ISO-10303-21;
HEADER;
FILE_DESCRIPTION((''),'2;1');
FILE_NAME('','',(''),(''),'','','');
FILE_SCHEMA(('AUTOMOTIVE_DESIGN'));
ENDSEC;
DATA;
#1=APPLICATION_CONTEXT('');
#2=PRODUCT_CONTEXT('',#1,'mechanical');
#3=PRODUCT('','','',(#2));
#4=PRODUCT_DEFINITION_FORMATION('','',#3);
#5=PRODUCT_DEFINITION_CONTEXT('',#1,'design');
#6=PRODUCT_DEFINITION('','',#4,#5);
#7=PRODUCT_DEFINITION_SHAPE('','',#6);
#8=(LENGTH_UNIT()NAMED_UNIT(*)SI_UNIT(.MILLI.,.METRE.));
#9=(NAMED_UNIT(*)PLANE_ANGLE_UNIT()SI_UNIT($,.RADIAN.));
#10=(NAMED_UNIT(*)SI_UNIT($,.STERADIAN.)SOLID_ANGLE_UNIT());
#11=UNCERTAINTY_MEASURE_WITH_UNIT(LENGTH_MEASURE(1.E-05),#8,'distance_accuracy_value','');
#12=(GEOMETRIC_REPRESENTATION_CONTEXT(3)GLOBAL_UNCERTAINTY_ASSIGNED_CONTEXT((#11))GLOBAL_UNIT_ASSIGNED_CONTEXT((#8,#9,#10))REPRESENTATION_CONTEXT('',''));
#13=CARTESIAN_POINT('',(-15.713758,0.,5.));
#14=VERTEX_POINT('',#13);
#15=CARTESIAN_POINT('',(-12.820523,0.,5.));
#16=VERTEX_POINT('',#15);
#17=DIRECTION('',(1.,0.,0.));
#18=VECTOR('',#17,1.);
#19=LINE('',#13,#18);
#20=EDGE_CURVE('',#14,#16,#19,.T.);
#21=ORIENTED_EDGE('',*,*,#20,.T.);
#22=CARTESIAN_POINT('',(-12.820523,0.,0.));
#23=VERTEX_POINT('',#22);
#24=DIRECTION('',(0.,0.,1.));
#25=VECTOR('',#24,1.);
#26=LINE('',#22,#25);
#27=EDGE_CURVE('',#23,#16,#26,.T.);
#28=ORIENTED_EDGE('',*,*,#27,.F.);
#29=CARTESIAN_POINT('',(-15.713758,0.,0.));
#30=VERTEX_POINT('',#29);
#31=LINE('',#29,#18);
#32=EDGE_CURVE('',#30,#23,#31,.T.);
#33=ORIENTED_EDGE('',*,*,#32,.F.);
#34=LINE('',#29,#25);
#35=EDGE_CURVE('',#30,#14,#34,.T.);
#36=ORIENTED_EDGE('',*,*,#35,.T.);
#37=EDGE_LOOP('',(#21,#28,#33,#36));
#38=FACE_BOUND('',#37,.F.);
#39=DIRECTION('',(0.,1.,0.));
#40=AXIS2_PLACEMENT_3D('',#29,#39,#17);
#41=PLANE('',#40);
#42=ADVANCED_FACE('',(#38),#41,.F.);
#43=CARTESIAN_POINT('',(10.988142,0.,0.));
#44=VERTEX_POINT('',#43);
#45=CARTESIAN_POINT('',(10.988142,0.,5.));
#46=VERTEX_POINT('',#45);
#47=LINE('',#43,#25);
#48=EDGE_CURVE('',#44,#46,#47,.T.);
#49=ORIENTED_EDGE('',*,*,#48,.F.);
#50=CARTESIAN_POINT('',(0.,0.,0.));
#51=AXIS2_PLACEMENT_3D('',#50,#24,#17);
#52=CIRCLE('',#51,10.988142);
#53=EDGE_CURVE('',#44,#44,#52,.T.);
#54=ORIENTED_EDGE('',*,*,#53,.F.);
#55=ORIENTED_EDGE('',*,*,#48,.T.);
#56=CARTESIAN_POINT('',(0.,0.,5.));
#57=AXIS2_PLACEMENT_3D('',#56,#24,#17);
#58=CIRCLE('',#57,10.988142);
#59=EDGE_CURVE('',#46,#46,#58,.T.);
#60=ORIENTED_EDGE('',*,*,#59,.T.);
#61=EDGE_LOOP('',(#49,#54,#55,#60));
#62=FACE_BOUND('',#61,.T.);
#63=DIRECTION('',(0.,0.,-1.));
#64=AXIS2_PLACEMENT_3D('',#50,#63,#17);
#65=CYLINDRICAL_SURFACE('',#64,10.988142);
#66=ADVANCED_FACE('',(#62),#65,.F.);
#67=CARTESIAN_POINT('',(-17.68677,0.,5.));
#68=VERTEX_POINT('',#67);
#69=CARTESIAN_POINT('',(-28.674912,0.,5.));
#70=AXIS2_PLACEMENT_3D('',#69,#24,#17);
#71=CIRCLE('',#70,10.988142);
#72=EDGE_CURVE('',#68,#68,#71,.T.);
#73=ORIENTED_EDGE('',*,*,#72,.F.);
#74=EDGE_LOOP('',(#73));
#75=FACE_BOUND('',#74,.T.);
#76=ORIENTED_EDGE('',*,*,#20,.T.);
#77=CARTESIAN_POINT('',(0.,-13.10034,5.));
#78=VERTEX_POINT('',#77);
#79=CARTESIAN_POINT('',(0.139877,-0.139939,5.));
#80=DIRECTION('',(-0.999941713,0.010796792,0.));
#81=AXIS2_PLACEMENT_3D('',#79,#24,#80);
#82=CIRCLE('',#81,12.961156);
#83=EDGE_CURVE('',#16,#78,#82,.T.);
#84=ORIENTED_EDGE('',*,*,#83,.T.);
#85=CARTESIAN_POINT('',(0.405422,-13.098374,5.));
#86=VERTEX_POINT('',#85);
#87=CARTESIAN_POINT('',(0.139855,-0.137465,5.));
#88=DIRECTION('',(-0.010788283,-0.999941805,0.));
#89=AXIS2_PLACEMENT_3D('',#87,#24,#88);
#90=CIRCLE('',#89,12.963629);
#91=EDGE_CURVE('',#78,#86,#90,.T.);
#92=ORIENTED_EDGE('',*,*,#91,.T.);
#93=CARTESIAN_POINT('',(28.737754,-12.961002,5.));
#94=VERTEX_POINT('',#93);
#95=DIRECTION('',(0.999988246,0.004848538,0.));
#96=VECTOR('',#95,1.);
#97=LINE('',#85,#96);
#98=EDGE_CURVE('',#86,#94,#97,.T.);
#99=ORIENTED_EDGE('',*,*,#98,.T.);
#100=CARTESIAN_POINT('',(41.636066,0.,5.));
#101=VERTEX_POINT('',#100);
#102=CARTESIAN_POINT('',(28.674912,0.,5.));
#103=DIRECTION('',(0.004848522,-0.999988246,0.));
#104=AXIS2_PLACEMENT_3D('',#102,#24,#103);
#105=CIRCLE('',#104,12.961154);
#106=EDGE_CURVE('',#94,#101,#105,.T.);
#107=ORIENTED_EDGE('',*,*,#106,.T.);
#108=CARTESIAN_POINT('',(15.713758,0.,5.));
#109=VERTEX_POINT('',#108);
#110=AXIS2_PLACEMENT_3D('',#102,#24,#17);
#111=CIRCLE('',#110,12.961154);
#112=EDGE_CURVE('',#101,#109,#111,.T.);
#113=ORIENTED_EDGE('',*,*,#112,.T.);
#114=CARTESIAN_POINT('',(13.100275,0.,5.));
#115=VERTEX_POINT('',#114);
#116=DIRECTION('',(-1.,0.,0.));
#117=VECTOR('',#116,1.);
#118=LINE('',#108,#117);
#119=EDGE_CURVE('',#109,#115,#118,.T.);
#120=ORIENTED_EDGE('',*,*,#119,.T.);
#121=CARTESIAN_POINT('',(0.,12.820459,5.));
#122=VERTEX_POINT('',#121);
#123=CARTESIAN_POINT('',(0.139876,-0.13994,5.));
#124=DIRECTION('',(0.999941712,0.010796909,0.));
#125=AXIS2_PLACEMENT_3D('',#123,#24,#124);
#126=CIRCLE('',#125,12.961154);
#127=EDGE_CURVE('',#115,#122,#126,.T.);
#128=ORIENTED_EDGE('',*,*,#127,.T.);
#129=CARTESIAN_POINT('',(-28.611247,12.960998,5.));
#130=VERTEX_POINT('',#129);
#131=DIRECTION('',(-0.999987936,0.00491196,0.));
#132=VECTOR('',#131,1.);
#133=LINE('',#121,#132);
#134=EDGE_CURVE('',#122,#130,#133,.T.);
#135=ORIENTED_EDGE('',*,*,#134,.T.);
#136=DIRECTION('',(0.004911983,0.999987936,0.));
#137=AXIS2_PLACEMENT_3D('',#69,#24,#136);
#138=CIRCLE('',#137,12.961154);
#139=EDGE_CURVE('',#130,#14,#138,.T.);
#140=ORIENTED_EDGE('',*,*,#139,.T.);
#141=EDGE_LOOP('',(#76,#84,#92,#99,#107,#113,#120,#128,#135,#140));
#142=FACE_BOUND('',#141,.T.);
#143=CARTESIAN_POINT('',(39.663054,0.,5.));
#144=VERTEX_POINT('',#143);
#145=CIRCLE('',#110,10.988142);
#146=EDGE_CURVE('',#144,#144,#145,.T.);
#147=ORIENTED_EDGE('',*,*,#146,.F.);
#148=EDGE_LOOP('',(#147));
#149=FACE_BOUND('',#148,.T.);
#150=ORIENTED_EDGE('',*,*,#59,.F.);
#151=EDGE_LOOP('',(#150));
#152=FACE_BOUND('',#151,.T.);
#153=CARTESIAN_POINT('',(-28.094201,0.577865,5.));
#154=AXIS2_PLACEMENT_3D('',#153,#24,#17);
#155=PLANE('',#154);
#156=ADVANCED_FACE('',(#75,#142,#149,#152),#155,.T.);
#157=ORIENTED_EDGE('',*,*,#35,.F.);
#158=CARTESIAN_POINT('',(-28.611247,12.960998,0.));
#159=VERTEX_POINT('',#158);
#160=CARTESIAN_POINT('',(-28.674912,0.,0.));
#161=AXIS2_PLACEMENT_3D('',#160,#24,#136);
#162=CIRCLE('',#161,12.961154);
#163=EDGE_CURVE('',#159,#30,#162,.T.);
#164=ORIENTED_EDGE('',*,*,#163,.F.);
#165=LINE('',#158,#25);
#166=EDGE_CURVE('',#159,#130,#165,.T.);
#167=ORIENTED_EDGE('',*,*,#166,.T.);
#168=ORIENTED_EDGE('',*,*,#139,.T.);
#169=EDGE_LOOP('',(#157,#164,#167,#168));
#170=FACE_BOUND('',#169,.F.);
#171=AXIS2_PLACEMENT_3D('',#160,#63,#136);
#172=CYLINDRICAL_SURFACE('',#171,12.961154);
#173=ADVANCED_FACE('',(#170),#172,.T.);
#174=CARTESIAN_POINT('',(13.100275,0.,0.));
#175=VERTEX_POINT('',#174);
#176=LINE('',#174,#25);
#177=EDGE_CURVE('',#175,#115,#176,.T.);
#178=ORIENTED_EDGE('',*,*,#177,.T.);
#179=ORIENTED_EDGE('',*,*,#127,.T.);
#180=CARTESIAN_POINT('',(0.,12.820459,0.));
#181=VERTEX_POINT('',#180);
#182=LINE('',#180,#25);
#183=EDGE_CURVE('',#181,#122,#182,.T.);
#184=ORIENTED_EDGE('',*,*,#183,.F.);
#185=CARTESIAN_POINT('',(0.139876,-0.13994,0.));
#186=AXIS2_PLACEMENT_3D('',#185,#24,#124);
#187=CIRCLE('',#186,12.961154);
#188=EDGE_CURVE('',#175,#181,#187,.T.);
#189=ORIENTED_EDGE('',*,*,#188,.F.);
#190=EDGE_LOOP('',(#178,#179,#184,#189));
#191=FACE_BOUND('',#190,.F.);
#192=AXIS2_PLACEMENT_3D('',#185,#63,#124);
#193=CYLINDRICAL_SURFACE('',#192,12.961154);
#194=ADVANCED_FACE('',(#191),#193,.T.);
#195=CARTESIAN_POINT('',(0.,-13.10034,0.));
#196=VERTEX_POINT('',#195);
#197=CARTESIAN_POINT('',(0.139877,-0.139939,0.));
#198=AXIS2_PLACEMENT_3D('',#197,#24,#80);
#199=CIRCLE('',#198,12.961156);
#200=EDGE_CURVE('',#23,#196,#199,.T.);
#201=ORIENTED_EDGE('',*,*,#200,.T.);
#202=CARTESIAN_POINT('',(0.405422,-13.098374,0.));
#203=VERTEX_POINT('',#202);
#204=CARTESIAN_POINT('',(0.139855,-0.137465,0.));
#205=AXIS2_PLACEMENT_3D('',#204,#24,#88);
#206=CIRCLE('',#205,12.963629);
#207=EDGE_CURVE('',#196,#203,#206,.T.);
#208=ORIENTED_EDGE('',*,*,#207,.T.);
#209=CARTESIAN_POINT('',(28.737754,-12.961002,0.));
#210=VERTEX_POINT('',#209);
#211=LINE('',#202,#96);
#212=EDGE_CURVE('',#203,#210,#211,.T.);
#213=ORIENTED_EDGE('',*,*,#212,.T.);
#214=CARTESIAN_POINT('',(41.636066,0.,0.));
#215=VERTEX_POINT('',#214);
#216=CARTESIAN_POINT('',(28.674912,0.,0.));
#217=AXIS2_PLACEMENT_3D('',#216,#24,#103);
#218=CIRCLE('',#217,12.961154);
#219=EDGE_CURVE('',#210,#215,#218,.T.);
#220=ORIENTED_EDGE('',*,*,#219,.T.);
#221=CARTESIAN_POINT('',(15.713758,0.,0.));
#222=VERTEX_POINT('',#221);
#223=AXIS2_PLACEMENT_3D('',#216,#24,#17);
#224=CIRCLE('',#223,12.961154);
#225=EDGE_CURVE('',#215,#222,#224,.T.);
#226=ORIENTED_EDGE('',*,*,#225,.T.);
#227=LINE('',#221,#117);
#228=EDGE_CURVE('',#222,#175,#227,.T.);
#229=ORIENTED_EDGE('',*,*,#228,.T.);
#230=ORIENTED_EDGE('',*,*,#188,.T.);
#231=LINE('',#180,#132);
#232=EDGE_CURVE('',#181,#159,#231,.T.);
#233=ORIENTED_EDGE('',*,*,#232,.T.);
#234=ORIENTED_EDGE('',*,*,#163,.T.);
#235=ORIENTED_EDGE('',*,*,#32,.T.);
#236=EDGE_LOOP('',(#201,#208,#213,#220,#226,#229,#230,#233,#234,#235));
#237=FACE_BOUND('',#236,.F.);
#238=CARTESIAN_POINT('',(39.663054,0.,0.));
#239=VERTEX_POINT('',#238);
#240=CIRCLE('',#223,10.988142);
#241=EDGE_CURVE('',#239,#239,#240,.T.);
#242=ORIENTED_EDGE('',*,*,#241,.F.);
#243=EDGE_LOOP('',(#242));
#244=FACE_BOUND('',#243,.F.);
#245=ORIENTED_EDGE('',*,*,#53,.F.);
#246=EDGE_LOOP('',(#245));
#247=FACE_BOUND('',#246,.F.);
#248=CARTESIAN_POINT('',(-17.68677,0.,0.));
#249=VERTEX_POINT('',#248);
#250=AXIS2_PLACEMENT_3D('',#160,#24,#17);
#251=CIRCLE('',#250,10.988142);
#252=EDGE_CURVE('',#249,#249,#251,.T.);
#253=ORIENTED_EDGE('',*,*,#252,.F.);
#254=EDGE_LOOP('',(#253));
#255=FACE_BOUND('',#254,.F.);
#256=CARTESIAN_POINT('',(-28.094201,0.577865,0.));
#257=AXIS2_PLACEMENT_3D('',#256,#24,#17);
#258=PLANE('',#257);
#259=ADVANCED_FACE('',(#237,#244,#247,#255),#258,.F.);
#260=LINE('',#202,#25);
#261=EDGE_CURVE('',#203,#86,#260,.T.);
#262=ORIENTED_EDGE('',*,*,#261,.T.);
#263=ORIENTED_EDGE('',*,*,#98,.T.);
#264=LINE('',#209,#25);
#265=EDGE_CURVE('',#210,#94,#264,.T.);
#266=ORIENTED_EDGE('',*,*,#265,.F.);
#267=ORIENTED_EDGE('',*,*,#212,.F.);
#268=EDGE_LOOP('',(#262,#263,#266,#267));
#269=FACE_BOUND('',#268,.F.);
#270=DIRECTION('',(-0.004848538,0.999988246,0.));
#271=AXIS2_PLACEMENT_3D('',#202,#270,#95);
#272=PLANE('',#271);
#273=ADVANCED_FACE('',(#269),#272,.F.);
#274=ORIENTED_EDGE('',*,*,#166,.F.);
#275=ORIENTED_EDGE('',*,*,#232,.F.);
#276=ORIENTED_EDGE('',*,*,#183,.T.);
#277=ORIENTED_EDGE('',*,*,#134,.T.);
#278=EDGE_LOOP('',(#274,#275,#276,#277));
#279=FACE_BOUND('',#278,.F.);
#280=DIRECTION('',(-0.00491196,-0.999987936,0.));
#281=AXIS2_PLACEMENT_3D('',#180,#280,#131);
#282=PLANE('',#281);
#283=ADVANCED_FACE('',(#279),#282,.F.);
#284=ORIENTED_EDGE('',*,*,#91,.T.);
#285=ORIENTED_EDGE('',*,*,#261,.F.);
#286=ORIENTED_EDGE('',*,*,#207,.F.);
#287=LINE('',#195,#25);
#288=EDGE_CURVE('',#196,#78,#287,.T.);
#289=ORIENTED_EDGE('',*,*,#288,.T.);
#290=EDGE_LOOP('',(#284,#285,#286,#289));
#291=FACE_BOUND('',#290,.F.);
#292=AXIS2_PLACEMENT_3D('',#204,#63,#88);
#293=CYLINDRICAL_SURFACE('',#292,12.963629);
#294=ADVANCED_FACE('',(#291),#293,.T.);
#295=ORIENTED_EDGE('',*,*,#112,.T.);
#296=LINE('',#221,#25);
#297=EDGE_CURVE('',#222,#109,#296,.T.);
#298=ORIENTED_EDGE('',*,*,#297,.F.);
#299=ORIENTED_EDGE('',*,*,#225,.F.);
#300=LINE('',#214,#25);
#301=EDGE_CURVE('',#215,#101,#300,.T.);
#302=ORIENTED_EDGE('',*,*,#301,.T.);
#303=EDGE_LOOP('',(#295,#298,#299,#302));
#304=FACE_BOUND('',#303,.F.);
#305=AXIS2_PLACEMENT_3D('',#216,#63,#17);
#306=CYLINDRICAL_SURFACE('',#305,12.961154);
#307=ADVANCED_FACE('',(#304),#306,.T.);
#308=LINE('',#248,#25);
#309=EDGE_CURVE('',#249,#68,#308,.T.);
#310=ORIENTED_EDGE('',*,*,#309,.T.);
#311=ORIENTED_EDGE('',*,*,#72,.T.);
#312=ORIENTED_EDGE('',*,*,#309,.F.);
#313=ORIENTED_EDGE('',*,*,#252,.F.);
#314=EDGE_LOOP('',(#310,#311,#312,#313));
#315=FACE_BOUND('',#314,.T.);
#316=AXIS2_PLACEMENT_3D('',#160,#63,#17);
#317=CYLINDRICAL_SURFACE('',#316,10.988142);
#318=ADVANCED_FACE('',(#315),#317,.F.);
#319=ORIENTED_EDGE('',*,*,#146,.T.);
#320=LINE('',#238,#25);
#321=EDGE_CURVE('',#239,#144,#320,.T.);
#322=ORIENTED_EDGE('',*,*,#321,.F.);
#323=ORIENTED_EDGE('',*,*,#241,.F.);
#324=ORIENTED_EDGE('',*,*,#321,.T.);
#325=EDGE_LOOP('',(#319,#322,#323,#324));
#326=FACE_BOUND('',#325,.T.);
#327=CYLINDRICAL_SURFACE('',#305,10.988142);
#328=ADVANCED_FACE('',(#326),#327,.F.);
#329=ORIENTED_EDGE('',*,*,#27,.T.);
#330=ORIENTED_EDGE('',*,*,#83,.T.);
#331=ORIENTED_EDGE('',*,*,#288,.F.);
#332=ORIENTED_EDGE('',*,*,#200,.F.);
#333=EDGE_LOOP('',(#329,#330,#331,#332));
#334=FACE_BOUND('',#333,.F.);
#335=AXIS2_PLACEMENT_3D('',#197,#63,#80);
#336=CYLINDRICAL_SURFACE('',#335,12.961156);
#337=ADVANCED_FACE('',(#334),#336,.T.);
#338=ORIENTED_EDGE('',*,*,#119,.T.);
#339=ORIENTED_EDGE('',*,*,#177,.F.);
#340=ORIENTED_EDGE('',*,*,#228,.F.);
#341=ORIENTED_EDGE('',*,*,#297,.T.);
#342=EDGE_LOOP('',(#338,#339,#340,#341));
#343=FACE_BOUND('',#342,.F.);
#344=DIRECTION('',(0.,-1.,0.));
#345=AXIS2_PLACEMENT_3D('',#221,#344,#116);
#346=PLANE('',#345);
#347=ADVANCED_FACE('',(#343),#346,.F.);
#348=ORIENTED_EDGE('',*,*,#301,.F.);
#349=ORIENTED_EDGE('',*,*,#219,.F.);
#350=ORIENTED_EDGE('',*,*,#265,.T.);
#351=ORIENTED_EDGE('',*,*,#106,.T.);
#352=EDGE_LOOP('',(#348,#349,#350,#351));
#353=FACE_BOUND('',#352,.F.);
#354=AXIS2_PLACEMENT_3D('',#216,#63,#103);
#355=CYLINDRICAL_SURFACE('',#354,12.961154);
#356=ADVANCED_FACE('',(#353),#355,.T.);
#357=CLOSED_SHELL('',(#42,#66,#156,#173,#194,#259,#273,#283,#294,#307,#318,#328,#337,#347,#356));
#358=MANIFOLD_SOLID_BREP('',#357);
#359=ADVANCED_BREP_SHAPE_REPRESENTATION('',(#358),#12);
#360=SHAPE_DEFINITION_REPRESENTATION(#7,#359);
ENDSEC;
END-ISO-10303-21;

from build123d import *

# Parameters (mm, degrees)
F0_R     = 10.988142
F1_DEPTH = 5


with BuildPart() as f1:
    # F0 (on Top) → F1 (new body)
    with BuildSketch(Plane.XY):
        with BuildLine():
            ThreePointArc((-28.611247, 12.960998), (-37.862313, -9.142383), (-15.713758, 0))
            ThreePointArc((-15.713758, 0), (-19.487511, 9.142383), (-28.611247, 12.960998))
        make_face()
        with Locations((-28.674912, 0)):
            Circle(F0_R, mode=Mode.SUBTRACT)
        with BuildLine():
            ThreePointArc((-28.611247, 12.960998), (-19.487511, 9.142383), (-15.713758, 0))
            Line((-15.713758, 0), (-12.820523, 0))
            ThreePointArc((-12.820523, 0), (-9.025021, 9.025002), (0, 12.820459))
            Line((0, 12.820459), (-28.611247, 12.960998))
        make_face()
        with BuildLine():
            ThreePointArc((0, 12.820459), (-9.025021, 9.025002), (-12.820523, 0))
            ThreePointArc((-12.820523, 0), (-9.12344, -9.205396), (0, -13.10034))
            Line((0, -13.10034), (0.405422, -13.098374))
            ThreePointArc((0.405422, -13.098374), (9.398205, -9.21049), (13.10103, -0.13994))
            ThreePointArc((13.10103, -0.13994), (13.100841, -0.069969), (13.100275, 0))
            ThreePointArc((13.100275, 0), (9.205332, 9.123376), (0, 12.820459))
        make_face()
        Circle(F0_R, mode=Mode.SUBTRACT)
        with BuildLine():
            Line((0.405422, -13.098374), (0, -13.10034))
            ThreePointArc((0, -13.10034), (0.202719, -13.100942), (0.405422, -13.098374))
        make_face()
        with BuildLine():
            Line((15.713758, 0), (13.100275, 0))
            ThreePointArc((13.100275, 0), (13.100841, -0.069969), (13.10103, -0.13994))
            ThreePointArc((13.10103, -0.13994), (9.398205, -9.21049), (0.405422, -13.098374))
            Line((0.405422, -13.098374), (28.737754, -12.961002))
            ThreePointArc((28.737754, -12.961002), (19.532237, -9.187111), (15.713758, 0))
        make_face()
        with BuildLine():
            ThreePointArc((41.636066, 0), (28.674912, 12.961154), (15.713758, 0))
            ThreePointArc((15.713758, 0), (19.532237, -9.187111), (28.737754, -12.961002))
            ThreePointArc((28.737754, -12.961002), (37.862023, -9.142675), (41.636066, 0))
        make_face()
        with Locations((28.674912, 0)):
            Circle(F0_R, mode=Mode.SUBTRACT)
    extrude(amount=F1_DEPTH)


solid = f1.part
